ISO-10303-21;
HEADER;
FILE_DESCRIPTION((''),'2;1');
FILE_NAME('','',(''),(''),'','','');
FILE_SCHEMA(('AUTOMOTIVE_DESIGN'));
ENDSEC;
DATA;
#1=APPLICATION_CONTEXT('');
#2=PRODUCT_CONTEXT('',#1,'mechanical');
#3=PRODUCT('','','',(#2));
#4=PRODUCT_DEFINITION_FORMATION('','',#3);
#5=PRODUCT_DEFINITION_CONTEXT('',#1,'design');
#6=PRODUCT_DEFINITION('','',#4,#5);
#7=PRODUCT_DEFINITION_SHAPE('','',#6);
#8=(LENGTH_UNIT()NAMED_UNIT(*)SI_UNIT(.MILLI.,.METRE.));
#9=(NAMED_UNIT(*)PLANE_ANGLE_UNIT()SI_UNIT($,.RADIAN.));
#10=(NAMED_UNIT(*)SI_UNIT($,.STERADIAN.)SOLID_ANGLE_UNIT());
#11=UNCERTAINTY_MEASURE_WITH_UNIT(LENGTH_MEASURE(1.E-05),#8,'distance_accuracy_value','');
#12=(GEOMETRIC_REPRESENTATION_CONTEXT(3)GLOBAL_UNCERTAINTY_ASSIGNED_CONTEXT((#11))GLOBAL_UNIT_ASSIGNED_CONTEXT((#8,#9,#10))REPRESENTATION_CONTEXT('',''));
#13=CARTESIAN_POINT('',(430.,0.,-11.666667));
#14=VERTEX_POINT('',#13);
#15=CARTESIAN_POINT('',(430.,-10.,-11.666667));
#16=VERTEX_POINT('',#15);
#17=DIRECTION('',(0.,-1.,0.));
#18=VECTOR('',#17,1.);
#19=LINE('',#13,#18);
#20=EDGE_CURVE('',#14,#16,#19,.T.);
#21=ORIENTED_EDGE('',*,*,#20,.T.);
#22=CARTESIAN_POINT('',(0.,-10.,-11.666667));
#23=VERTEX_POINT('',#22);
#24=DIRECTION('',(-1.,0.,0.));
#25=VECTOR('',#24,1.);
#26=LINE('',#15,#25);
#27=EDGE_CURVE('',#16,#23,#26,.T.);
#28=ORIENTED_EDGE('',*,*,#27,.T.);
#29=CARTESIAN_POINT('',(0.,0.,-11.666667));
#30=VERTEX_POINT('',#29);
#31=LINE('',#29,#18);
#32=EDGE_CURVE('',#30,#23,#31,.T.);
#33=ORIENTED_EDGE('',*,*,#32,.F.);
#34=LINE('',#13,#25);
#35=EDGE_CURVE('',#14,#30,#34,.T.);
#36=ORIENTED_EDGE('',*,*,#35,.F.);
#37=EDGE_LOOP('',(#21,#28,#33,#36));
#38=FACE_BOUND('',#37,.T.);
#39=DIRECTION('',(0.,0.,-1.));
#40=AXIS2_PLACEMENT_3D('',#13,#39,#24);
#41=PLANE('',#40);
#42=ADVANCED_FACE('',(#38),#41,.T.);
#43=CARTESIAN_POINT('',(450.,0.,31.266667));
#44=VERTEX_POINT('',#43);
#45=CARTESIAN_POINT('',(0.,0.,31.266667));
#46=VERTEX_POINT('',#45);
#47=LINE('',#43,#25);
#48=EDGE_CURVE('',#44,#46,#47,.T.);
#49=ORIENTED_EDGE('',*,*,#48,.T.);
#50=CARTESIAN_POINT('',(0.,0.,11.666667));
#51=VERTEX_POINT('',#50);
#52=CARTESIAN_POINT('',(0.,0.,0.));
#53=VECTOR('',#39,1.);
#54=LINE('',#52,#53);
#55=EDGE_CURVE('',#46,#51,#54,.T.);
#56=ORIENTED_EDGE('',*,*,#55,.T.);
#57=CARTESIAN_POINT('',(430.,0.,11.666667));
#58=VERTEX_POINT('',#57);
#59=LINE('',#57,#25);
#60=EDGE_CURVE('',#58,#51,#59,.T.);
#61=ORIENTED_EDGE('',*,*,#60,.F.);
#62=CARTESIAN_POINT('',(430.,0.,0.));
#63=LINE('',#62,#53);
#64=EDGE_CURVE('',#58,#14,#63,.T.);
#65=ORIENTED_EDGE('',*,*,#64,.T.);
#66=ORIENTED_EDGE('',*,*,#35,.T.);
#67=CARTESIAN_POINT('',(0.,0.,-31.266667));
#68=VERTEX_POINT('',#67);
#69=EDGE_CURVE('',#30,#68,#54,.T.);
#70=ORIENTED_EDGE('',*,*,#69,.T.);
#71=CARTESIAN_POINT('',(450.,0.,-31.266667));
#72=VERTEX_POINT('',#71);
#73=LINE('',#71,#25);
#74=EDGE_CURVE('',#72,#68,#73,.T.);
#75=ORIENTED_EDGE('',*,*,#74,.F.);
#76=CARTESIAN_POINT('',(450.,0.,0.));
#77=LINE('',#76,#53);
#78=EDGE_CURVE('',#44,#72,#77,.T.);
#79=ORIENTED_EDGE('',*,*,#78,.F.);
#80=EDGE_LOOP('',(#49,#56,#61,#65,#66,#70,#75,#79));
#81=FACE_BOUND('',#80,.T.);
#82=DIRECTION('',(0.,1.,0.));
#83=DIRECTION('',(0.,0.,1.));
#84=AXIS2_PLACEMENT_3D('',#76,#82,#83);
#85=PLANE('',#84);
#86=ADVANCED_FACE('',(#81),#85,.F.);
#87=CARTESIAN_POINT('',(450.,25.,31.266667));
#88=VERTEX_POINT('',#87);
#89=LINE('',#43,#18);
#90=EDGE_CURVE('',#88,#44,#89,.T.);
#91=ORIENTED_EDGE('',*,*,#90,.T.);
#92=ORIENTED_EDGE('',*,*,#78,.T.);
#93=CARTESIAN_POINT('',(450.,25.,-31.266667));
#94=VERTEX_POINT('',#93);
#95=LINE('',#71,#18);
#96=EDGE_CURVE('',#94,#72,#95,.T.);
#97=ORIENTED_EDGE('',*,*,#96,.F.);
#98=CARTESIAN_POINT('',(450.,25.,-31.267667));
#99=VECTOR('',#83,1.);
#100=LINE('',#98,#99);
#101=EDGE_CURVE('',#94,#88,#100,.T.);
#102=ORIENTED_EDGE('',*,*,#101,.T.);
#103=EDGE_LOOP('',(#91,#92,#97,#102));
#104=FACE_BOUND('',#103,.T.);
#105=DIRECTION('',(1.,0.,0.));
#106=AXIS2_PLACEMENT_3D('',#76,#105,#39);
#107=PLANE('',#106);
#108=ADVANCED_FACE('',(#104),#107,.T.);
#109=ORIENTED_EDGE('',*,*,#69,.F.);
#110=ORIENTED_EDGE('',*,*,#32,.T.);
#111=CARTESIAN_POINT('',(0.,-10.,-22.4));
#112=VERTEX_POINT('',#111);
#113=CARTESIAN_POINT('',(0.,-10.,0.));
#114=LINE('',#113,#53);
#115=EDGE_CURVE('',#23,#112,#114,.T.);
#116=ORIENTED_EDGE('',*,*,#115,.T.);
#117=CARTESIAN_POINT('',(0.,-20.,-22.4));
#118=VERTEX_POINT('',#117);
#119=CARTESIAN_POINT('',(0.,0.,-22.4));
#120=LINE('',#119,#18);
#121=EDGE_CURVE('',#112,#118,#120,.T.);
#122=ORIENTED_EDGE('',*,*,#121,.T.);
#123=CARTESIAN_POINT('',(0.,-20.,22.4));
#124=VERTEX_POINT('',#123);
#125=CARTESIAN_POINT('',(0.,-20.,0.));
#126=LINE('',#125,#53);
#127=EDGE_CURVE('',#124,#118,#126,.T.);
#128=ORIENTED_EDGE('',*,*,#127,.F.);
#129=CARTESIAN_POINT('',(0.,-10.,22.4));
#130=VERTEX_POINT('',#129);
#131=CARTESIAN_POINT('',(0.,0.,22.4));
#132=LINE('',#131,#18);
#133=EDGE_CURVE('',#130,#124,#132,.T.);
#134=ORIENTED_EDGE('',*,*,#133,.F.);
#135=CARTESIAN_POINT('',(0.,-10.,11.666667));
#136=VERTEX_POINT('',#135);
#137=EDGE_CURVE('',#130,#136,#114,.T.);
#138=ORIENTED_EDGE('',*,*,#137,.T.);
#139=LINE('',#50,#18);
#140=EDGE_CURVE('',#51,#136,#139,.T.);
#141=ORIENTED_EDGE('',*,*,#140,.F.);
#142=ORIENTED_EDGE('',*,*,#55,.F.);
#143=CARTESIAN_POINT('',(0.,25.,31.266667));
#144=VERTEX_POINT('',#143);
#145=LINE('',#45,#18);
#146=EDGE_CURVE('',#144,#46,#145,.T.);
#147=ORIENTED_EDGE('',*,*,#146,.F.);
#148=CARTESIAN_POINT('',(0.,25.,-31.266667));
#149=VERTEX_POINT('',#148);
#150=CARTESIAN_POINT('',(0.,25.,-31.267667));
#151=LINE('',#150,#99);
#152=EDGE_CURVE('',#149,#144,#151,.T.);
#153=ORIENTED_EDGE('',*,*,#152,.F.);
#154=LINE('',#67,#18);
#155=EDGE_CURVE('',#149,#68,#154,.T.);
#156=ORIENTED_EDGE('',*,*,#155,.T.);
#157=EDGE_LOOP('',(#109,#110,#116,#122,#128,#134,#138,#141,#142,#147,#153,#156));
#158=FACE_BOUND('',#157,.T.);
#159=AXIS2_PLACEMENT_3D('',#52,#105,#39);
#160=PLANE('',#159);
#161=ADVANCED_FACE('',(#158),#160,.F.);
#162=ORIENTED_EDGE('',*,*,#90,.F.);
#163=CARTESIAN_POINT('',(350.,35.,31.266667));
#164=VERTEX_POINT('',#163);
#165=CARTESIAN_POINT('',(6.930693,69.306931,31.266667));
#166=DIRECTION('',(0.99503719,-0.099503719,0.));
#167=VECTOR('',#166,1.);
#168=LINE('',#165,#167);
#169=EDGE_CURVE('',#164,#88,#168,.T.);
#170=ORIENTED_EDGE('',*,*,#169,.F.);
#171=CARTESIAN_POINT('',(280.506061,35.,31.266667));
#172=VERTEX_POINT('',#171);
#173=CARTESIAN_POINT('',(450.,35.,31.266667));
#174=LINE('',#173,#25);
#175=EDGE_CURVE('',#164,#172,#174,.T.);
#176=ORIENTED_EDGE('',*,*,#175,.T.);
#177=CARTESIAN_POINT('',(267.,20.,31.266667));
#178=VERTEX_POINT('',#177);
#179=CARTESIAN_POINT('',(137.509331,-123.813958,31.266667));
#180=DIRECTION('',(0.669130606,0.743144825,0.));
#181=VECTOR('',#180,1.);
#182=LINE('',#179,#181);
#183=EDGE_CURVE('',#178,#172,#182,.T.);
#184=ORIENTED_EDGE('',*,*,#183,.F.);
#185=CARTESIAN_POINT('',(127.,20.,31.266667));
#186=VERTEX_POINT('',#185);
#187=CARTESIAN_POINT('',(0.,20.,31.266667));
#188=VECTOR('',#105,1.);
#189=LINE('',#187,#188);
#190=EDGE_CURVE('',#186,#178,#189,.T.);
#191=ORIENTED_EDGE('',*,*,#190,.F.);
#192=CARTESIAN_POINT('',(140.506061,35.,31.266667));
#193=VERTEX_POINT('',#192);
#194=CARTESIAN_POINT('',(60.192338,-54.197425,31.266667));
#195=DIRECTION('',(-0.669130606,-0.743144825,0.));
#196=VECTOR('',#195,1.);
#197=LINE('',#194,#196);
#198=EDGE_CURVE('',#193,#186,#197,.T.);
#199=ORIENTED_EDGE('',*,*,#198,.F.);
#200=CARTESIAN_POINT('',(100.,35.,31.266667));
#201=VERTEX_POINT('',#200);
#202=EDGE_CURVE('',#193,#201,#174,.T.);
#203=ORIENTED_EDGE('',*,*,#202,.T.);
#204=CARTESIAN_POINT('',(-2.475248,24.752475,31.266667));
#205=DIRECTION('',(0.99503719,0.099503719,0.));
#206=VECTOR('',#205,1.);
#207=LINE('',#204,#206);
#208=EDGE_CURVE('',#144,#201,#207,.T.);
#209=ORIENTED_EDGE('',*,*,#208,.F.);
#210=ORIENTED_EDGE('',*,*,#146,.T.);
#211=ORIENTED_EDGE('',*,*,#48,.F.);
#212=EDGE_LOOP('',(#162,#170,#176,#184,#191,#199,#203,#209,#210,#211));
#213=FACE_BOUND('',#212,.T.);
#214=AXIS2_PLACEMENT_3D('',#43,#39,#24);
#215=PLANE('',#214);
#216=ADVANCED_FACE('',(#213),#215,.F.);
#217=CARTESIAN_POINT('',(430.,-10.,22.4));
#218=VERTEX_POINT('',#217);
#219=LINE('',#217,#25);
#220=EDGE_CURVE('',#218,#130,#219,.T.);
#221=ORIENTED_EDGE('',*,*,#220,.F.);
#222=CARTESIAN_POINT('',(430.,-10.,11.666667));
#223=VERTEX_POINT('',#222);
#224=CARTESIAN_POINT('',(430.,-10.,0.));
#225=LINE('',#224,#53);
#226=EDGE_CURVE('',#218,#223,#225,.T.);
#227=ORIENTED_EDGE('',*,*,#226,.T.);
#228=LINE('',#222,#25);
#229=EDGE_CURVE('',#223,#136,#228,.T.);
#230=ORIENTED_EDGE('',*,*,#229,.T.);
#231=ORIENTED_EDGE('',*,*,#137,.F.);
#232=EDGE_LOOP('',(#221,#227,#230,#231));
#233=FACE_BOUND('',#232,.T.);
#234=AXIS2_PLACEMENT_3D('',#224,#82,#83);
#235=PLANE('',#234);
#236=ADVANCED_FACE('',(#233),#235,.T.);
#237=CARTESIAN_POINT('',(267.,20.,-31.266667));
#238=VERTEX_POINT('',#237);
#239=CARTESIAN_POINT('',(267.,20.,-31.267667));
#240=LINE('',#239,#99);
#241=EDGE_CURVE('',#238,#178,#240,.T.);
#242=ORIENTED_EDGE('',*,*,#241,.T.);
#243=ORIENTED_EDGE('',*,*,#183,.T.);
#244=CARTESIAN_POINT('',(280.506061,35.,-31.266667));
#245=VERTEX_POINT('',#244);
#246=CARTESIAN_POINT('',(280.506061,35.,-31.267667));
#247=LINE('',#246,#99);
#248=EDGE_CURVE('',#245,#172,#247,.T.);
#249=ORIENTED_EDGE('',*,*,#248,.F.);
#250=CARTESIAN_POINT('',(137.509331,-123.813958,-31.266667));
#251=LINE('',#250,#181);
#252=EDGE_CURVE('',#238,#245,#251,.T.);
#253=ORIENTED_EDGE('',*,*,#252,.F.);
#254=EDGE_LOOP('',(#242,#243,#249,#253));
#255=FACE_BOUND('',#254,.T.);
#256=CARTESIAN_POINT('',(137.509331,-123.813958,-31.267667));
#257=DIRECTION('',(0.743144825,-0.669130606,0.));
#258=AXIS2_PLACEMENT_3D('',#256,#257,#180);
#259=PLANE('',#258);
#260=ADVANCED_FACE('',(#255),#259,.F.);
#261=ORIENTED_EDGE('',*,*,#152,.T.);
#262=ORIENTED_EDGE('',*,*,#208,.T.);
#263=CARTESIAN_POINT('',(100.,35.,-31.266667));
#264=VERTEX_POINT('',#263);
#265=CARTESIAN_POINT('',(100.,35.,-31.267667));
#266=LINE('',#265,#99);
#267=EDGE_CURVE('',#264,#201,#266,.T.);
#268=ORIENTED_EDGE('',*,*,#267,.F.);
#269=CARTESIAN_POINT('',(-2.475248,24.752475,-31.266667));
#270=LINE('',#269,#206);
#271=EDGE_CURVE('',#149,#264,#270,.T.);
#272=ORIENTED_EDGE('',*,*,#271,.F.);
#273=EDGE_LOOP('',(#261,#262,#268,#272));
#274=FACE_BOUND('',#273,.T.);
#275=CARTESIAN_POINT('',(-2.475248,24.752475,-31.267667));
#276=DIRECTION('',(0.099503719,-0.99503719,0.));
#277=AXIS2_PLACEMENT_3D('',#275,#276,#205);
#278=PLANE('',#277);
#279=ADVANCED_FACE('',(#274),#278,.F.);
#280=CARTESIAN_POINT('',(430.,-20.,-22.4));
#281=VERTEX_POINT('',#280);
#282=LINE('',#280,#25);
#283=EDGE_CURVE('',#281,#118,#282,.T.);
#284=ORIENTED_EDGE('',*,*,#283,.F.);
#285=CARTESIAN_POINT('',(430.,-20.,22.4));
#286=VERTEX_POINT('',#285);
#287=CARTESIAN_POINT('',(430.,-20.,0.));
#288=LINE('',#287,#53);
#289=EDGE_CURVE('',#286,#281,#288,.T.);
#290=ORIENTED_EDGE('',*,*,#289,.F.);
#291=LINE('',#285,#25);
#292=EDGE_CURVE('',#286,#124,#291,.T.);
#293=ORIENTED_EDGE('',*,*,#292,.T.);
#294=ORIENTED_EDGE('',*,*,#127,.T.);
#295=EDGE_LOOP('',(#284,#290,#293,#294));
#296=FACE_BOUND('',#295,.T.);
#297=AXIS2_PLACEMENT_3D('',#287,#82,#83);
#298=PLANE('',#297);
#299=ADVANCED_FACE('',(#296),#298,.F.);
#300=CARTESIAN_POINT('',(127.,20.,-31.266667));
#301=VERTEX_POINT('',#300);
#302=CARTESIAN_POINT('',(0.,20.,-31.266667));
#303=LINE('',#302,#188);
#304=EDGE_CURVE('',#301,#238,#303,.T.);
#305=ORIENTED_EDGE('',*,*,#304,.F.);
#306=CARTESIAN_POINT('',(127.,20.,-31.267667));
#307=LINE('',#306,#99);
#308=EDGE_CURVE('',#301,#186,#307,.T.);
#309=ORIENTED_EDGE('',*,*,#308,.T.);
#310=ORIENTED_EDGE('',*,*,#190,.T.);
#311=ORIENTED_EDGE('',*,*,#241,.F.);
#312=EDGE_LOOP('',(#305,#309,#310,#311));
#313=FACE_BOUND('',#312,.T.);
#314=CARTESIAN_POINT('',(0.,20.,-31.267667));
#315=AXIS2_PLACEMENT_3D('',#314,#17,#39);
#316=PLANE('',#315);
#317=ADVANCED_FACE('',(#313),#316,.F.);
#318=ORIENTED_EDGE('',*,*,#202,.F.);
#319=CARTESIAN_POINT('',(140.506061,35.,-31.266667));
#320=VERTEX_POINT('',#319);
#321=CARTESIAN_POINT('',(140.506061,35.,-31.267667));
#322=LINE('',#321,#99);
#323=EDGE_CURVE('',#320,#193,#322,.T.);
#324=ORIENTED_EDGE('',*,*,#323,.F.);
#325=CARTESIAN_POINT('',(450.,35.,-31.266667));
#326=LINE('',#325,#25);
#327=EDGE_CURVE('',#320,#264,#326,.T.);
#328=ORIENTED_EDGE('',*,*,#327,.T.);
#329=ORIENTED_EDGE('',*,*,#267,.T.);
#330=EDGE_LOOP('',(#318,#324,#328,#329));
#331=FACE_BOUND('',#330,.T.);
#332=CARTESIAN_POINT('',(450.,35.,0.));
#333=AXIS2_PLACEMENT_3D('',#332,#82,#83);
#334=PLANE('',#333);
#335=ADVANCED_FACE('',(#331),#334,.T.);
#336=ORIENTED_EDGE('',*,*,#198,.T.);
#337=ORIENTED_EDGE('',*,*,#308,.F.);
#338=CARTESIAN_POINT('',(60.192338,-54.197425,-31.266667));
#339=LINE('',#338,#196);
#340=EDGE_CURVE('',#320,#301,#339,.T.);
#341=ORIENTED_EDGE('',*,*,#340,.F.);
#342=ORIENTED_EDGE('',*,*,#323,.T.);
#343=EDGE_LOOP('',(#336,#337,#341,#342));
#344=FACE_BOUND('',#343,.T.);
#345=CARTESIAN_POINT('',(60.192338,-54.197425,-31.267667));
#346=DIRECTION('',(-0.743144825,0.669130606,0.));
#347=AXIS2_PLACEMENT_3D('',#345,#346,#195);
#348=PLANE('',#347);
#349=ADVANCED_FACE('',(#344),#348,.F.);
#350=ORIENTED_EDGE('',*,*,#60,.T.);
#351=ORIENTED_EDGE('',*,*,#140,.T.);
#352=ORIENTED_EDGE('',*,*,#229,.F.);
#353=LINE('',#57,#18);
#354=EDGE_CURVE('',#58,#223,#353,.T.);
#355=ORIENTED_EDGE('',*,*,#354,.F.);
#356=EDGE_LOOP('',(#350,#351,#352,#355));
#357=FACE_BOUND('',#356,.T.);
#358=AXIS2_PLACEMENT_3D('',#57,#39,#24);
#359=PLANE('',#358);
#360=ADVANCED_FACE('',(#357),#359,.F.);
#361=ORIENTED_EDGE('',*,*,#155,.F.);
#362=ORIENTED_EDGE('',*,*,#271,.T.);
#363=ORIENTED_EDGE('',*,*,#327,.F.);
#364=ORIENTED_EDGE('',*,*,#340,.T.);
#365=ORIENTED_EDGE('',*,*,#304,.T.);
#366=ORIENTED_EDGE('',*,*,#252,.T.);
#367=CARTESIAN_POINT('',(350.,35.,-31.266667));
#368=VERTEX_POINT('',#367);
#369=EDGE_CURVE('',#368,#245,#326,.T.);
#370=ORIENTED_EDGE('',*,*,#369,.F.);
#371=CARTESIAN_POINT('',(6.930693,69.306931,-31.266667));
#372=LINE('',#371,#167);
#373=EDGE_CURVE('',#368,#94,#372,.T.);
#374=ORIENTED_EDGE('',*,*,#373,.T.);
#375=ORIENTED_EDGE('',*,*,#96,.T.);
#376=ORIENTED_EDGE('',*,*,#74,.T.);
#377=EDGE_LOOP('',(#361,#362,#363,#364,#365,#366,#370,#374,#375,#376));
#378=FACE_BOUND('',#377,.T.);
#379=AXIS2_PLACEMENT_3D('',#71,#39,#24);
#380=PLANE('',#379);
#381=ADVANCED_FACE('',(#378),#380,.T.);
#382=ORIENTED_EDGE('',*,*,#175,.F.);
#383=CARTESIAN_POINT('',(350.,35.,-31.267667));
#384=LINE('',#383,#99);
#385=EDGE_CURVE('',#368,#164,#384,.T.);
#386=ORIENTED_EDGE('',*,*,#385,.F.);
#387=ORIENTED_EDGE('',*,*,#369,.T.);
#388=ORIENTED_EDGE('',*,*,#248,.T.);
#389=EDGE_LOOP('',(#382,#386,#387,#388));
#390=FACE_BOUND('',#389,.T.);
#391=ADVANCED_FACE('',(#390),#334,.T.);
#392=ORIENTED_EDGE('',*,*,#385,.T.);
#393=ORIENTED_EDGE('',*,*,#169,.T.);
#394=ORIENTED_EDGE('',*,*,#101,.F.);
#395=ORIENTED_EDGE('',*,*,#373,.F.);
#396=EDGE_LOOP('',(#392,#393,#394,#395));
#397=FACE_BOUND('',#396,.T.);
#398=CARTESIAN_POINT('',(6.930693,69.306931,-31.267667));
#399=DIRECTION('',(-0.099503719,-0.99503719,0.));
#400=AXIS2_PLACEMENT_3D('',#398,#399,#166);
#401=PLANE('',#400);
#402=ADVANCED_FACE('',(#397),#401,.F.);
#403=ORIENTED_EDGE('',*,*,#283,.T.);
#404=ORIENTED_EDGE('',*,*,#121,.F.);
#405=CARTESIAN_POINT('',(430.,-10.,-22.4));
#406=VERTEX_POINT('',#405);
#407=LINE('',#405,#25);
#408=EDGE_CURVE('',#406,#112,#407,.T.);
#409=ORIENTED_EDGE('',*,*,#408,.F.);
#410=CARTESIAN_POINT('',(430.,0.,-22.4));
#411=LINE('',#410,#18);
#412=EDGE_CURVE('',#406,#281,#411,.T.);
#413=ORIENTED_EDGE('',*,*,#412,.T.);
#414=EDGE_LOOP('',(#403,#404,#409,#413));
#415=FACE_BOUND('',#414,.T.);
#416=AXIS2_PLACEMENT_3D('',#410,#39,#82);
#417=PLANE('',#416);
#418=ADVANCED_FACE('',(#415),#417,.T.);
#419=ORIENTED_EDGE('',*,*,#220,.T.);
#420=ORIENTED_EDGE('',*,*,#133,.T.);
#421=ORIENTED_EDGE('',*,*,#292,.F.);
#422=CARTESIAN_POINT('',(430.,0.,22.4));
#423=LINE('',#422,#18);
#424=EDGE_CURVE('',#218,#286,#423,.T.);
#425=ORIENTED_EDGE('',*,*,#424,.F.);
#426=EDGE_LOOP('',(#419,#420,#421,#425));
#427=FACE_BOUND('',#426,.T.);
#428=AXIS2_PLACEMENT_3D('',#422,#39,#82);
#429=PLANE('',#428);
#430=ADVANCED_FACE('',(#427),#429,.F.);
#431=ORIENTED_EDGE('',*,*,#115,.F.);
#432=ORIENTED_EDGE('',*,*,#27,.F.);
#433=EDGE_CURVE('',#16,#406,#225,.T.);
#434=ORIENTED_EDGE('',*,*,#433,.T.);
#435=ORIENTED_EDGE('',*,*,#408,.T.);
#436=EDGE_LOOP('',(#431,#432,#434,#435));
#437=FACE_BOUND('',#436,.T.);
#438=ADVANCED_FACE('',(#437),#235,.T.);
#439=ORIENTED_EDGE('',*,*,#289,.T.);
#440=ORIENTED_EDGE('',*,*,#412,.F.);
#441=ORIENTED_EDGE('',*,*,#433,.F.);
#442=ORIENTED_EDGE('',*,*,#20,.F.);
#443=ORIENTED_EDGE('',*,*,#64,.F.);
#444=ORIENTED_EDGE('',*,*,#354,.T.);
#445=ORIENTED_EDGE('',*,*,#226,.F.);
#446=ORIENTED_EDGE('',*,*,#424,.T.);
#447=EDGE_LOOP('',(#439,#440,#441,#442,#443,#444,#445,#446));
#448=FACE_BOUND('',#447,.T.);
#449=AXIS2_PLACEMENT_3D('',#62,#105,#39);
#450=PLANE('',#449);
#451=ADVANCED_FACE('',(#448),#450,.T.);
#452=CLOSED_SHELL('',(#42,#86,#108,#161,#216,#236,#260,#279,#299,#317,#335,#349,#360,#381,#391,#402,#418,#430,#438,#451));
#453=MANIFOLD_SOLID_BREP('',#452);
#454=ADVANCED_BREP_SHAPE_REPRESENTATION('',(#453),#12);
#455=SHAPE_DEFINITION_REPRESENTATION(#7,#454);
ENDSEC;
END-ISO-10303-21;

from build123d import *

# Parameters (mm, degrees)
BOSS_EXTRUDE1_DEPTH = 430
BOSS_EXTRUDE2_DEPTH = 450
CUT_EXTRUDE1_REACH  = 457.67


with BuildPart() as part:
    # Sketch1 → Boss-Extrude1 (new body)
    with BuildSketch(Plane(origin=(0, 0, 0), x_dir=(0, 0, -1), z_dir=(1, 0, 0))):
        Polygon((11.666666667, 0), (-11.666666667, 0), (-11.666666667, -10), (-22.4, -10), (-22.4, -20), (22.4, -20), (22.4, -10), (11.666666667, -10), align=None)
    extrude(amount=BOSS_EXTRUDE1_DEPTH)

    # Sketch1<3> → Boss-Extrude2 (add)
    with BuildSketch(Plane(origin=(0, 0, 0), x_dir=(0, 0, -1), z_dir=(1, 0, 0))):
        Polygon((31.266666667, 35), (-31.266666667, 35), (-31.266666667, 0), (-11.666666667, 0), (11.666666667, 0), (31.266666667, 0), align=None)
    extrude(amount=BOSS_EXTRUDE2_DEPTH)

    # Sketch2 → Cut-Extrude1 (cut, up to next)
    with BuildSketch(Plane.XY.offset(31.266666667), mode=Mode.PRIVATE) as cut_extrude1_sk1:
        Polygon((0, 35), (0, 25), (100, 35), align=None)
    cut_extrude1_tool1 = extrude(cut_extrude1_sk1.sketch, amount=-CUT_EXTRUDE1_REACH, mode=Mode.PRIVATE) & part.part
    # Sketch2 → Cut-Extrude1 (cut, up to next)
    with BuildSketch(Plane.XY.offset(31.266666667), mode=Mode.PRIVATE) as cut_extrude1_sk2:
        Polygon((450, 35), (350, 35), (450, 25), align=None)
    cut_extrude1_tool2 = extrude(cut_extrude1_sk2.sketch, amount=-CUT_EXTRUDE1_REACH, mode=Mode.PRIVATE) & part.part
    # Sketch2 → Cut-Extrude1 (cut, up to next)
    with BuildSketch(Plane.XY.offset(31.266666667), mode=Mode.PRIVATE) as cut_extrude1_sk3:
        Polygon((280.506060664, 35), (140.506060664, 35), (127, 20), (267, 20), align=None)
    cut_extrude1_tool3 = extrude(cut_extrude1_sk3.sketch, amount=-CUT_EXTRUDE1_REACH, mode=Mode.PRIVATE) & part.part
    add(cut_extrude1_tool1.solids().sort_by_distance((33.333333, 31.666667, 31.266667))[0], mode=Mode.SUBTRACT)
    add(cut_extrude1_tool2.solids().sort_by_distance((416.666667, 31.666667, 31.266667))[0], mode=Mode.SUBTRACT)
    add(cut_extrude1_tool3.solids().sort_by_distance((203.75303, 27.5, 31.266667))[0], mode=Mode.SUBTRACT)


solid = part.part
